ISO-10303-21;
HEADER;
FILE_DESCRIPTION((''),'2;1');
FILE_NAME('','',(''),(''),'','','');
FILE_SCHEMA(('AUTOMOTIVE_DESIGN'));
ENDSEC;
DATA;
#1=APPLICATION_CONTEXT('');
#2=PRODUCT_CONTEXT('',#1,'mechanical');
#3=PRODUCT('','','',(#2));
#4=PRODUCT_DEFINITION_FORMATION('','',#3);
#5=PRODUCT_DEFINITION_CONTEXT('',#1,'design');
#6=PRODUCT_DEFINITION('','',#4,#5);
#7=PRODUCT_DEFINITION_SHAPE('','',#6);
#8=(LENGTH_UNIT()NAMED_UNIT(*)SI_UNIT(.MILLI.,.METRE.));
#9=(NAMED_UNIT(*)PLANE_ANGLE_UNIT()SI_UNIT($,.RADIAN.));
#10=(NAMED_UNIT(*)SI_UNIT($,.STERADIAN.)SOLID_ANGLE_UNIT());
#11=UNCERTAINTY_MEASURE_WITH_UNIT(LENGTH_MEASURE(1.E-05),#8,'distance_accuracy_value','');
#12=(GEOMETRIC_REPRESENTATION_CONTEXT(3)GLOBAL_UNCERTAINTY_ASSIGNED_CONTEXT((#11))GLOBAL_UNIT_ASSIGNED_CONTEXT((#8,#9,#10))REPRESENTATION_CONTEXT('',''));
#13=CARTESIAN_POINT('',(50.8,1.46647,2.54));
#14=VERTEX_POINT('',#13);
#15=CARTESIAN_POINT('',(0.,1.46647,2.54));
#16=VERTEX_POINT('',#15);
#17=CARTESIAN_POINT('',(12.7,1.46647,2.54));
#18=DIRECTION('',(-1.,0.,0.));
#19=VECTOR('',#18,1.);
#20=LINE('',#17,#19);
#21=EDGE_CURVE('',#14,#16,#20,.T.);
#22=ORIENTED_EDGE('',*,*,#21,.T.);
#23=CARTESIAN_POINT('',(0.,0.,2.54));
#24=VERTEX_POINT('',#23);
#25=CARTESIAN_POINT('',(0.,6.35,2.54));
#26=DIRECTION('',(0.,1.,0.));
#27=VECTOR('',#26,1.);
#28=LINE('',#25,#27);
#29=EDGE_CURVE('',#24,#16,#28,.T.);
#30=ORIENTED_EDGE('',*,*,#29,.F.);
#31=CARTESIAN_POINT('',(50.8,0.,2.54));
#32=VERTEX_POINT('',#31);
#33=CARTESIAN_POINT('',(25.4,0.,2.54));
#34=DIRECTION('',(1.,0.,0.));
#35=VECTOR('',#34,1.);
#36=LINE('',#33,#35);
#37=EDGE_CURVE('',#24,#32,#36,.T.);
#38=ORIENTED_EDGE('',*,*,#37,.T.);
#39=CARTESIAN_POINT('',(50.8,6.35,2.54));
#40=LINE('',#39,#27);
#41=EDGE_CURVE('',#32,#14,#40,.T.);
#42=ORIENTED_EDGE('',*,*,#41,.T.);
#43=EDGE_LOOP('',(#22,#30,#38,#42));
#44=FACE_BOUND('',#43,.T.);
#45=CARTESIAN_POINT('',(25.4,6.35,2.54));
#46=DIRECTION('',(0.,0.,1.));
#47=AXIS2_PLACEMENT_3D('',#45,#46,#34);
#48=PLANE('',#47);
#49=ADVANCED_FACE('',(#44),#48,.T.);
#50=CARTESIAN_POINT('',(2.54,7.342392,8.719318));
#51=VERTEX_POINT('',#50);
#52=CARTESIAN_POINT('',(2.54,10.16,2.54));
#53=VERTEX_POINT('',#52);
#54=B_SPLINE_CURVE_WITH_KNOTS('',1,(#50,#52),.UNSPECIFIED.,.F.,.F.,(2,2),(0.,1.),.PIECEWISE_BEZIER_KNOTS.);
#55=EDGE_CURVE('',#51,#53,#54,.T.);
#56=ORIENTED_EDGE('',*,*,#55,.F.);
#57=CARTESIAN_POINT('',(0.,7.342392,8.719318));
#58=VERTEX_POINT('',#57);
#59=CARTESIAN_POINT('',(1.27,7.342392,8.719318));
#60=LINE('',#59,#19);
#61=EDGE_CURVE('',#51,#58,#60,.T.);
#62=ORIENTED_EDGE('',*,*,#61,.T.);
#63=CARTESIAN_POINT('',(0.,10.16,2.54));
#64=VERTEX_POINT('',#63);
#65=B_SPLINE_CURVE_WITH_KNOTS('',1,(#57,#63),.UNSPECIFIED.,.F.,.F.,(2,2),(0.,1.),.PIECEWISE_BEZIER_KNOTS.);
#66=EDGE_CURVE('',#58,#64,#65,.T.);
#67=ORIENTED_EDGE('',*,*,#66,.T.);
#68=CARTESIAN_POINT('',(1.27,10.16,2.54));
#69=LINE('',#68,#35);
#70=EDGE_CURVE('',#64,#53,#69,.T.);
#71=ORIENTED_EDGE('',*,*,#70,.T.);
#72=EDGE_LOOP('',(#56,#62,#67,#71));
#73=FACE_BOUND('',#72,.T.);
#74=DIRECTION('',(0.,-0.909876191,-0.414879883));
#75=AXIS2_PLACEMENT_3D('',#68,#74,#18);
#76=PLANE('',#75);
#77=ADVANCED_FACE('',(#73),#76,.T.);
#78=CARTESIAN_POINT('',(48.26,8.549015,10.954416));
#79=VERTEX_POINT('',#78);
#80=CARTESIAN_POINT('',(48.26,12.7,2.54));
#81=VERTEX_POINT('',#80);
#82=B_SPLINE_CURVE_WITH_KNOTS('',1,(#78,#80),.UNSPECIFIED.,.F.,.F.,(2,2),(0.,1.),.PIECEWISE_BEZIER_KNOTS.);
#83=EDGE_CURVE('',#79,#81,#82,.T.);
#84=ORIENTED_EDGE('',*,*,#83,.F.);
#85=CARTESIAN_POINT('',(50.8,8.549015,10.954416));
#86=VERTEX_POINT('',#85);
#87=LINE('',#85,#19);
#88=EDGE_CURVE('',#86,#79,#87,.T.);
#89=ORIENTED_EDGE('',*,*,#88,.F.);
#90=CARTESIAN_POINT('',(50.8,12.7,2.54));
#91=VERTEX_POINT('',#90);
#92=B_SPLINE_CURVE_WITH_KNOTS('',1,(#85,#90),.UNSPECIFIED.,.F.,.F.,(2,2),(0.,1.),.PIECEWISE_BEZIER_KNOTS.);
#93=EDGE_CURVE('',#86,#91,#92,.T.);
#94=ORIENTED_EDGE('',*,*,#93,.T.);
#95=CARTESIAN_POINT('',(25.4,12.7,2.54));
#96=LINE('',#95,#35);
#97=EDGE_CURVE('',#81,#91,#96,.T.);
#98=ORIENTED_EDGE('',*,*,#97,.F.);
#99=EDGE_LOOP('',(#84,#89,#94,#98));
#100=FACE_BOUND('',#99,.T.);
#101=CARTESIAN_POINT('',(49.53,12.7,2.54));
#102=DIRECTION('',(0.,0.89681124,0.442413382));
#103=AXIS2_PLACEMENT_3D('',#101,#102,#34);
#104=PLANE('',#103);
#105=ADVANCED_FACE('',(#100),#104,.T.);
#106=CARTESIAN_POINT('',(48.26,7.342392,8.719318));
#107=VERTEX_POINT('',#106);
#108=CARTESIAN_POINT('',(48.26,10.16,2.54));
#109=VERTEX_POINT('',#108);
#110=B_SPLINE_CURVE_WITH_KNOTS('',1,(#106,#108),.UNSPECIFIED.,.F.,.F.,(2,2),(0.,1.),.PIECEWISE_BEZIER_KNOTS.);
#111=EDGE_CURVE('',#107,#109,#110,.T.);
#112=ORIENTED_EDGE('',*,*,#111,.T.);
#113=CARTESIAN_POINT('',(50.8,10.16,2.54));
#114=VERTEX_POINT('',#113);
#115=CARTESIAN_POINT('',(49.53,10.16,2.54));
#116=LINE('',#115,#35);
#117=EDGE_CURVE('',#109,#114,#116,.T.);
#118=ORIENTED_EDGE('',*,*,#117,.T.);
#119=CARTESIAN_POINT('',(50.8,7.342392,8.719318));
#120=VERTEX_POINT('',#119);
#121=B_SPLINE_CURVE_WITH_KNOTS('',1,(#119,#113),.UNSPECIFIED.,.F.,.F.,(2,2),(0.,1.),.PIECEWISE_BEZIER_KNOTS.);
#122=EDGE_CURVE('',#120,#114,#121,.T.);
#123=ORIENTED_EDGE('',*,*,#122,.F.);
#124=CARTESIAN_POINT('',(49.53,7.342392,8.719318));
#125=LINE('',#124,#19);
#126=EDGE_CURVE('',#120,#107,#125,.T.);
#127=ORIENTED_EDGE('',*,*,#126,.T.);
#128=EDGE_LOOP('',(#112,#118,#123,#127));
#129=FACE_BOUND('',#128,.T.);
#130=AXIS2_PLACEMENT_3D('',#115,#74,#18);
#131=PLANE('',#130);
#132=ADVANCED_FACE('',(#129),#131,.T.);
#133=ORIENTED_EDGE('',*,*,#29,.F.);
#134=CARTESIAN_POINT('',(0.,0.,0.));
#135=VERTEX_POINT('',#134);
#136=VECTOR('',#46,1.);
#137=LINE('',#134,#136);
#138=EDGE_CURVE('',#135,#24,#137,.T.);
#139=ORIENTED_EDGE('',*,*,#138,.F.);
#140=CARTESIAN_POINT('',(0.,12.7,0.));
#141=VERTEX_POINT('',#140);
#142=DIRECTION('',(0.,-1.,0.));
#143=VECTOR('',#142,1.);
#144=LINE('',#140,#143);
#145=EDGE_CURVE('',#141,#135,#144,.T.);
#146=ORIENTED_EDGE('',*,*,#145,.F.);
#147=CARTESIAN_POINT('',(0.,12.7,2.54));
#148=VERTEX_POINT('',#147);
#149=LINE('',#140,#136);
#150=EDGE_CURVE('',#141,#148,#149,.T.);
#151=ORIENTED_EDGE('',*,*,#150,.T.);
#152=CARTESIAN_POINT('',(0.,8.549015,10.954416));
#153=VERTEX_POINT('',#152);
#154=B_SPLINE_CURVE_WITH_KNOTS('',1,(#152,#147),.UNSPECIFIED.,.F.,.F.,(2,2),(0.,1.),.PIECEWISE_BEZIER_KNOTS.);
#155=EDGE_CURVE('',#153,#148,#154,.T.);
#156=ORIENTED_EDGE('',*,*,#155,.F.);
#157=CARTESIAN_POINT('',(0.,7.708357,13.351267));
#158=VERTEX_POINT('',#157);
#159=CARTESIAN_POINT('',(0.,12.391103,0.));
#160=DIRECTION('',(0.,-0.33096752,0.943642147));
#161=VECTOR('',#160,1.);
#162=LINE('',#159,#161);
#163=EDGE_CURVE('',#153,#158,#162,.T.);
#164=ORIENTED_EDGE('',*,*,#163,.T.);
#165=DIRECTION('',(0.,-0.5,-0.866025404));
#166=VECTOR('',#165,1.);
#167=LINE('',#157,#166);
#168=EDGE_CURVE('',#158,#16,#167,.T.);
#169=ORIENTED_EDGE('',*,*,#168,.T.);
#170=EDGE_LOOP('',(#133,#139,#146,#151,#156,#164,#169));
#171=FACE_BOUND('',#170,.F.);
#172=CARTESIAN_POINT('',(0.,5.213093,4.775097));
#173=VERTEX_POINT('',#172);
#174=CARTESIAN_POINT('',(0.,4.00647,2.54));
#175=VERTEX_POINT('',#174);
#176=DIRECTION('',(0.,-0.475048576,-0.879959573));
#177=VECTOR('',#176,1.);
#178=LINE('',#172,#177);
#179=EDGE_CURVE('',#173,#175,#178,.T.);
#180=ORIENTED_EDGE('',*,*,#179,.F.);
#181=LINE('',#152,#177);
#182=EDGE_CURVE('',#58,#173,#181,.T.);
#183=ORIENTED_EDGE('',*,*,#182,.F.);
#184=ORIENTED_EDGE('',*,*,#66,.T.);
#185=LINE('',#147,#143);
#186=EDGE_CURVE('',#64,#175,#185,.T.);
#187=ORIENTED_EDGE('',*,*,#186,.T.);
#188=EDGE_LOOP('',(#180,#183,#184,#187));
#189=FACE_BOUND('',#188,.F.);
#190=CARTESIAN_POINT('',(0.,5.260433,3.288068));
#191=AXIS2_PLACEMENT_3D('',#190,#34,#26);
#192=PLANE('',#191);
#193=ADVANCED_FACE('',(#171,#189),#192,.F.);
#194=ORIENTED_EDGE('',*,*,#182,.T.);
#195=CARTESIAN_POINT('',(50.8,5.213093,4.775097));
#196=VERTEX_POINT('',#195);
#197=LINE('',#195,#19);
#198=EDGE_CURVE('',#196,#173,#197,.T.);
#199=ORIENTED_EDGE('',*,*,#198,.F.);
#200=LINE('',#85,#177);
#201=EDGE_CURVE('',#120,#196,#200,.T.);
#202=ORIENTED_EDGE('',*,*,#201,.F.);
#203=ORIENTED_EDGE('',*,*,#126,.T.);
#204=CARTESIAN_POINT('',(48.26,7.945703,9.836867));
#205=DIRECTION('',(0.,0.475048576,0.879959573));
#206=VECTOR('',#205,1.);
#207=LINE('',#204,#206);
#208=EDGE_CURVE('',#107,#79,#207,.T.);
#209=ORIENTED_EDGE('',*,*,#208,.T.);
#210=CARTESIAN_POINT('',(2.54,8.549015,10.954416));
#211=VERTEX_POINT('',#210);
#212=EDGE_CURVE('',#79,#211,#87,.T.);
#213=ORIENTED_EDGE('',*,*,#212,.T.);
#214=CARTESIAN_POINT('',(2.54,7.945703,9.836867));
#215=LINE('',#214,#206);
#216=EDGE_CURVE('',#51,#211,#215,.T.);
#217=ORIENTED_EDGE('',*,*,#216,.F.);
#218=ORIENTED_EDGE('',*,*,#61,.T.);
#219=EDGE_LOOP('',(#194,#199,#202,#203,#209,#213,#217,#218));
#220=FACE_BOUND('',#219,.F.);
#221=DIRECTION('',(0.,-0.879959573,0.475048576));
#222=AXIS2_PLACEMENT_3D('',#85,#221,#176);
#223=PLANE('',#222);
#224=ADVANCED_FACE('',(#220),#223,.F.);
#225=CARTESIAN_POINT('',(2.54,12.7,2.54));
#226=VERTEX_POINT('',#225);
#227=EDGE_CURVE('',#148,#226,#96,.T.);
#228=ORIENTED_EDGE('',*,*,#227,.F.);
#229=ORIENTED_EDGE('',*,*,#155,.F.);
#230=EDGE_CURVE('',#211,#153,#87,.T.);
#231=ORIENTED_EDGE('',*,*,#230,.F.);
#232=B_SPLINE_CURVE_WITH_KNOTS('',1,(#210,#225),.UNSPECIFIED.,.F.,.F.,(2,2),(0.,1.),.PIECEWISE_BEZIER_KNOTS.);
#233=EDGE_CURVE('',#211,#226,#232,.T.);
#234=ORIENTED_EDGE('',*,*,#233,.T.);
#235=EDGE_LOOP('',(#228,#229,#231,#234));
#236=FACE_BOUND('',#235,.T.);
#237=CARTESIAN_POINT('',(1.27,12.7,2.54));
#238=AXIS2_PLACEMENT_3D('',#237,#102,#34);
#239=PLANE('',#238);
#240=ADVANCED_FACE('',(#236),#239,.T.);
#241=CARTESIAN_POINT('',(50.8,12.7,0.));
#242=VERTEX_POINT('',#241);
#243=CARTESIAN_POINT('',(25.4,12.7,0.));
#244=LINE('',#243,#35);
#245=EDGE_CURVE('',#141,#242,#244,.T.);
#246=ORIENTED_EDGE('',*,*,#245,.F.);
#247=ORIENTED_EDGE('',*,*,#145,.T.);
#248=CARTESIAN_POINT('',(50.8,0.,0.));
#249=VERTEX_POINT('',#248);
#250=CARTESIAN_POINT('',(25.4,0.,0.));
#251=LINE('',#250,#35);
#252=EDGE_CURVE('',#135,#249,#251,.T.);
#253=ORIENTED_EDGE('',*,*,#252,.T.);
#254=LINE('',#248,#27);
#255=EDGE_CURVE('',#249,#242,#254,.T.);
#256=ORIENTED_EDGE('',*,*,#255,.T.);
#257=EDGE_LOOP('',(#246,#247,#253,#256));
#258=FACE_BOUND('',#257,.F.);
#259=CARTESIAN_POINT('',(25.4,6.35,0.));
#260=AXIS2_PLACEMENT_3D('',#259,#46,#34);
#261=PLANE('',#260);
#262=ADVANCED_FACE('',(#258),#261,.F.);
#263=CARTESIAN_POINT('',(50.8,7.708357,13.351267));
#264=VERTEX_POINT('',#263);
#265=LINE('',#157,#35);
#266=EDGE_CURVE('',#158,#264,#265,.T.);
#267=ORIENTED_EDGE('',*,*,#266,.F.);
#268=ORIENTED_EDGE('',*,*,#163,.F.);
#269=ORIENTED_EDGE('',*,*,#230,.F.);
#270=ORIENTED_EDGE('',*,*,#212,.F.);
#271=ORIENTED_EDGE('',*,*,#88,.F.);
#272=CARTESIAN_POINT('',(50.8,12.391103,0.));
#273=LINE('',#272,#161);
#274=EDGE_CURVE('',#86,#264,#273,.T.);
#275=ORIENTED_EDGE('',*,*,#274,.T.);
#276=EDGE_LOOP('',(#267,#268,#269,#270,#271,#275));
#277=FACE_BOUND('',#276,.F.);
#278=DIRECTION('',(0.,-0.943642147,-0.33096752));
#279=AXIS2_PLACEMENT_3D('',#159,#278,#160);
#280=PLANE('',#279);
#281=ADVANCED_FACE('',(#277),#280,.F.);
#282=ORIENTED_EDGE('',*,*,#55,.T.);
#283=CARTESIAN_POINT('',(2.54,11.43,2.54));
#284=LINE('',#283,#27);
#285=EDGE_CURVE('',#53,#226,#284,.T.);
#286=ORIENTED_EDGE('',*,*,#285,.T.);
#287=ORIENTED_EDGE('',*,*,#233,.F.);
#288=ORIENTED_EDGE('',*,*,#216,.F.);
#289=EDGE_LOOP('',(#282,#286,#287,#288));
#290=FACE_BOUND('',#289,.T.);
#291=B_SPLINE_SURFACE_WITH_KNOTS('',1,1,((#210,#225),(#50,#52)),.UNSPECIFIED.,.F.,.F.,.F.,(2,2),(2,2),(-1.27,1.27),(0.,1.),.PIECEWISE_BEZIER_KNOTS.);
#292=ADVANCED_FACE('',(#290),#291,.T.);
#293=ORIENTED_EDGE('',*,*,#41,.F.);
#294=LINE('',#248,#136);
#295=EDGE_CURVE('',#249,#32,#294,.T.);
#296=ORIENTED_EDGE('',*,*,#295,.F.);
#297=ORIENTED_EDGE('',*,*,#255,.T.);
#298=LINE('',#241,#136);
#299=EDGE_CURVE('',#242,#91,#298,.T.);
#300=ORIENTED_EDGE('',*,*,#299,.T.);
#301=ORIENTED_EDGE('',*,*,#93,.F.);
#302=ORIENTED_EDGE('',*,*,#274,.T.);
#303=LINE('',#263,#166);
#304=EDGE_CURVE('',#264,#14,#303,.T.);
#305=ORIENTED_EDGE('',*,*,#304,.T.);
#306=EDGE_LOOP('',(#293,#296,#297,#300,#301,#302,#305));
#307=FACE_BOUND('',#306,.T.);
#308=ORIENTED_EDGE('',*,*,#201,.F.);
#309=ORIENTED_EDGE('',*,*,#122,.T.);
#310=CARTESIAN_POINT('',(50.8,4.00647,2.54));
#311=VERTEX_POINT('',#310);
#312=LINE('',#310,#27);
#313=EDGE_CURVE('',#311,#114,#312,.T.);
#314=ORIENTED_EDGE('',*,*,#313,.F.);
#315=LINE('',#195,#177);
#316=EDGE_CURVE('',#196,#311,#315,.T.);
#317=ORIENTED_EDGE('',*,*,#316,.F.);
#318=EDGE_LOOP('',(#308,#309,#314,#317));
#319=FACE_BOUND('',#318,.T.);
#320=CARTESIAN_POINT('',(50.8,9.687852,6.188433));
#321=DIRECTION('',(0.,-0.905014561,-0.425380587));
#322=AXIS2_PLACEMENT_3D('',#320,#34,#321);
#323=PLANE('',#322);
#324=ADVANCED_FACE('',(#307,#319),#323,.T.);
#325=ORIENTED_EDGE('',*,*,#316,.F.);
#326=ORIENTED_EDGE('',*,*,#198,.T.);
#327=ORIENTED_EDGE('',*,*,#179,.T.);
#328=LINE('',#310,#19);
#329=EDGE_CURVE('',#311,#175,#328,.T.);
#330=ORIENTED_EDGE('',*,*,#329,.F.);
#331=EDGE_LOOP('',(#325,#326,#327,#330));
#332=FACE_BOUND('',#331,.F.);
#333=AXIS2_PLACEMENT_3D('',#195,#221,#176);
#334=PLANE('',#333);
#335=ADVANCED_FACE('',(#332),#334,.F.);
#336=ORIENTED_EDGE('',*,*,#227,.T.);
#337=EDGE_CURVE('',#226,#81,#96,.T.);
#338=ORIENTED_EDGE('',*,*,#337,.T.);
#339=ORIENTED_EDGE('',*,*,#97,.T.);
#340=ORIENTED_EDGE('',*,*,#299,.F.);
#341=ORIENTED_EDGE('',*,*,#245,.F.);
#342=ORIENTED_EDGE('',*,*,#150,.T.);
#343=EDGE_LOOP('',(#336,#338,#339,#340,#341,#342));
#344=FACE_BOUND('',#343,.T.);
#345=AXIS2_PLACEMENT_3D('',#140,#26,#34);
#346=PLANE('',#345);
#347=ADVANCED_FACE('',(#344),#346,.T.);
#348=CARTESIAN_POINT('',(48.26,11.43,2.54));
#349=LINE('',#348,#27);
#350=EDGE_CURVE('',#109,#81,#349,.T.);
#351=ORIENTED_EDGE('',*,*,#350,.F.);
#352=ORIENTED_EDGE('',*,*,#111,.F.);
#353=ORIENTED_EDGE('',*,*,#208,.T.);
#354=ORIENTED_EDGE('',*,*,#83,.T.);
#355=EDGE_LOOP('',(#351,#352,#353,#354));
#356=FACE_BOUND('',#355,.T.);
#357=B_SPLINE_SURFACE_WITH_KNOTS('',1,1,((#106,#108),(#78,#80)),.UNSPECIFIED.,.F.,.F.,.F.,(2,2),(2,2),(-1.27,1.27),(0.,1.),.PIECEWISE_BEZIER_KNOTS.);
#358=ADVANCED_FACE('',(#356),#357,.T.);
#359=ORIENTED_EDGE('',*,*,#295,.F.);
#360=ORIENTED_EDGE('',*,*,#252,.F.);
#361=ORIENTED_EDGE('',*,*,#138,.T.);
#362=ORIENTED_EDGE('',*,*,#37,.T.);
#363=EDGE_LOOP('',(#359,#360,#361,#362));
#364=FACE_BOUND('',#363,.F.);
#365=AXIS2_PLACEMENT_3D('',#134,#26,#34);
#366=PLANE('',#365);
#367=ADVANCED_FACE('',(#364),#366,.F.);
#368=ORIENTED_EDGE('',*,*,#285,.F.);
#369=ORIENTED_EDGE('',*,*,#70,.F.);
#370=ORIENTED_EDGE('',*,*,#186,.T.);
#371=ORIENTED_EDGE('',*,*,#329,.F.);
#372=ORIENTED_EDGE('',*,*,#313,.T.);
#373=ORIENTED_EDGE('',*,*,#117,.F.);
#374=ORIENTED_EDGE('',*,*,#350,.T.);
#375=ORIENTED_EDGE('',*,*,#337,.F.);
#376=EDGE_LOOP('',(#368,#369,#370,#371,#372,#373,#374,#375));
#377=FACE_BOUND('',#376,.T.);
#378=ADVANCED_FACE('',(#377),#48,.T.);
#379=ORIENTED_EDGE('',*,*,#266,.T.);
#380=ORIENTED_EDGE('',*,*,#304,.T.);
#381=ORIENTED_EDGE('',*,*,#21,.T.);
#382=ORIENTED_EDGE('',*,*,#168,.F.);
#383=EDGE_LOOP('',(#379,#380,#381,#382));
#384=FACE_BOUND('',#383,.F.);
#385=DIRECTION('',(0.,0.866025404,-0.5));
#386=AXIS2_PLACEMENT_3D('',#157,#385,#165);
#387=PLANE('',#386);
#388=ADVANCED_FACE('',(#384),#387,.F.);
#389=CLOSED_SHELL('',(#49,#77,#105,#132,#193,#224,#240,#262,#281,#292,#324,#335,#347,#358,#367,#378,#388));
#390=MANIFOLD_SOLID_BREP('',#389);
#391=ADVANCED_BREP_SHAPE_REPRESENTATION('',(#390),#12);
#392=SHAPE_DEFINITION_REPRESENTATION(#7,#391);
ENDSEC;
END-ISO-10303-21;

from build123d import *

# Parameters (mm, degrees)
F0_W      = 50.8
F0_H      = 12.7
F1_DEPTH  = 2.54
F3_DEPTH  = 50.8
F5_DEPTH  = 50.8
F7_DEPTH  = 50.8
F8_R      = 0.7792520308
F9_DEPTH  = 25.4
F11_DEPTH = 50.8
F13_W     = 2.54
F13_H     = 2.54
F12_W     = 2.54
F12_H     = 2.54
F16_W     = 2.54
F16_H     = 2.54
F15_W     = 2.54
F15_H     = 2.54


with BuildPart() as f1:
    # F0 (on Top) → F1 (new body)
    with BuildSketch(Plane.XY):
        with Locations((25.4, 6.35)):
            Rectangle(F0_W, F0_H)
    extrude(amount=F1_DEPTH)

    # F2 (on Right) → F3 (join)
    with BuildSketch(Plane.YZ):
        Polygon((7.7083574152, 13.351266686), (0, 0), (12.3911025003, 0), align=None)
    extrude(amount=F3_DEPTH)

    # F4 (on face) → F5 (cut)
    with BuildSketch(Plane.YZ.offset(50.8)):
        Polygon((8.549014916, 10.9544156338), (4.0064696837, 2.54), (11.5002377759, 2.54), align=None)
    extrude(amount=-F5_DEPTH, mode=Mode.SUBTRACT)



with BuildPart() as f7:
    # F6 (on face) → F7 (new body)
    with BuildSketch(Plane.YZ.offset(50.8)):
        Polygon((5.2130930665, 4.775097316), (4.0064696837, 2.54), (6.5464696837, 2.54), align=None)
    extrude(amount=-F7_DEPTH)


with BuildPart() as f1_1:
    add(f1.part)

    add(f7.part)  # F9 merges F7
    # F8 (on face) → F9 (join)
    with BuildSketch(Plane.YZ.offset(50.8)):
        with Locations((4.0064696837, 2.54)):
            Circle(F8_R)
    extrude(amount=-F9_DEPTH)

    # F10 (on face) → F11 (cut)
    with BuildSketch(Plane.YZ.offset(50.8)):
        Polygon((4.0064696837, 2.54), (6.5464696837, 2.54), (5.2130930665, 4.775097316), align=None)
    extrude(amount=-F11_DEPTH, mode=Mode.SUBTRACT)

    # F13 (on face) → F14 section 0
    with BuildSketch(Plane(origin=(0, 2.0405452679, -1.1015939289), x_dir=(-1, 0, 0), z_dir=(0, 0.8799595732, -0.4750485759))):
        with Locations((-49.53, 12.4306402674)):
            Rectangle(F13_W, F13_H)
    # F12 (on face) → F14 section 1
    with BuildSketch(Plane.XY.offset(2.54)):
        with Locations((49.53, 11.43)):
            Rectangle(F12_W, F12_H)
    loft()

    # F16 (on face) → F17 section 0
    with BuildSketch(Plane(origin=(0, 2.0405452679, -1.1015939289), x_dir=(-1, 0, 0), z_dir=(0, 0.8799595732, -0.4750485759))):
        with Locations((-1.27, 12.4306402674)):
            Rectangle(F16_W, F16_H)
    # F15 (on face) → F17 section 1
    with BuildSketch(Plane.XY.offset(2.54)):
        with Locations((1.27, 11.43)):
            Rectangle(F15_W, F15_H)
    loft()


solid = f1_1.part
